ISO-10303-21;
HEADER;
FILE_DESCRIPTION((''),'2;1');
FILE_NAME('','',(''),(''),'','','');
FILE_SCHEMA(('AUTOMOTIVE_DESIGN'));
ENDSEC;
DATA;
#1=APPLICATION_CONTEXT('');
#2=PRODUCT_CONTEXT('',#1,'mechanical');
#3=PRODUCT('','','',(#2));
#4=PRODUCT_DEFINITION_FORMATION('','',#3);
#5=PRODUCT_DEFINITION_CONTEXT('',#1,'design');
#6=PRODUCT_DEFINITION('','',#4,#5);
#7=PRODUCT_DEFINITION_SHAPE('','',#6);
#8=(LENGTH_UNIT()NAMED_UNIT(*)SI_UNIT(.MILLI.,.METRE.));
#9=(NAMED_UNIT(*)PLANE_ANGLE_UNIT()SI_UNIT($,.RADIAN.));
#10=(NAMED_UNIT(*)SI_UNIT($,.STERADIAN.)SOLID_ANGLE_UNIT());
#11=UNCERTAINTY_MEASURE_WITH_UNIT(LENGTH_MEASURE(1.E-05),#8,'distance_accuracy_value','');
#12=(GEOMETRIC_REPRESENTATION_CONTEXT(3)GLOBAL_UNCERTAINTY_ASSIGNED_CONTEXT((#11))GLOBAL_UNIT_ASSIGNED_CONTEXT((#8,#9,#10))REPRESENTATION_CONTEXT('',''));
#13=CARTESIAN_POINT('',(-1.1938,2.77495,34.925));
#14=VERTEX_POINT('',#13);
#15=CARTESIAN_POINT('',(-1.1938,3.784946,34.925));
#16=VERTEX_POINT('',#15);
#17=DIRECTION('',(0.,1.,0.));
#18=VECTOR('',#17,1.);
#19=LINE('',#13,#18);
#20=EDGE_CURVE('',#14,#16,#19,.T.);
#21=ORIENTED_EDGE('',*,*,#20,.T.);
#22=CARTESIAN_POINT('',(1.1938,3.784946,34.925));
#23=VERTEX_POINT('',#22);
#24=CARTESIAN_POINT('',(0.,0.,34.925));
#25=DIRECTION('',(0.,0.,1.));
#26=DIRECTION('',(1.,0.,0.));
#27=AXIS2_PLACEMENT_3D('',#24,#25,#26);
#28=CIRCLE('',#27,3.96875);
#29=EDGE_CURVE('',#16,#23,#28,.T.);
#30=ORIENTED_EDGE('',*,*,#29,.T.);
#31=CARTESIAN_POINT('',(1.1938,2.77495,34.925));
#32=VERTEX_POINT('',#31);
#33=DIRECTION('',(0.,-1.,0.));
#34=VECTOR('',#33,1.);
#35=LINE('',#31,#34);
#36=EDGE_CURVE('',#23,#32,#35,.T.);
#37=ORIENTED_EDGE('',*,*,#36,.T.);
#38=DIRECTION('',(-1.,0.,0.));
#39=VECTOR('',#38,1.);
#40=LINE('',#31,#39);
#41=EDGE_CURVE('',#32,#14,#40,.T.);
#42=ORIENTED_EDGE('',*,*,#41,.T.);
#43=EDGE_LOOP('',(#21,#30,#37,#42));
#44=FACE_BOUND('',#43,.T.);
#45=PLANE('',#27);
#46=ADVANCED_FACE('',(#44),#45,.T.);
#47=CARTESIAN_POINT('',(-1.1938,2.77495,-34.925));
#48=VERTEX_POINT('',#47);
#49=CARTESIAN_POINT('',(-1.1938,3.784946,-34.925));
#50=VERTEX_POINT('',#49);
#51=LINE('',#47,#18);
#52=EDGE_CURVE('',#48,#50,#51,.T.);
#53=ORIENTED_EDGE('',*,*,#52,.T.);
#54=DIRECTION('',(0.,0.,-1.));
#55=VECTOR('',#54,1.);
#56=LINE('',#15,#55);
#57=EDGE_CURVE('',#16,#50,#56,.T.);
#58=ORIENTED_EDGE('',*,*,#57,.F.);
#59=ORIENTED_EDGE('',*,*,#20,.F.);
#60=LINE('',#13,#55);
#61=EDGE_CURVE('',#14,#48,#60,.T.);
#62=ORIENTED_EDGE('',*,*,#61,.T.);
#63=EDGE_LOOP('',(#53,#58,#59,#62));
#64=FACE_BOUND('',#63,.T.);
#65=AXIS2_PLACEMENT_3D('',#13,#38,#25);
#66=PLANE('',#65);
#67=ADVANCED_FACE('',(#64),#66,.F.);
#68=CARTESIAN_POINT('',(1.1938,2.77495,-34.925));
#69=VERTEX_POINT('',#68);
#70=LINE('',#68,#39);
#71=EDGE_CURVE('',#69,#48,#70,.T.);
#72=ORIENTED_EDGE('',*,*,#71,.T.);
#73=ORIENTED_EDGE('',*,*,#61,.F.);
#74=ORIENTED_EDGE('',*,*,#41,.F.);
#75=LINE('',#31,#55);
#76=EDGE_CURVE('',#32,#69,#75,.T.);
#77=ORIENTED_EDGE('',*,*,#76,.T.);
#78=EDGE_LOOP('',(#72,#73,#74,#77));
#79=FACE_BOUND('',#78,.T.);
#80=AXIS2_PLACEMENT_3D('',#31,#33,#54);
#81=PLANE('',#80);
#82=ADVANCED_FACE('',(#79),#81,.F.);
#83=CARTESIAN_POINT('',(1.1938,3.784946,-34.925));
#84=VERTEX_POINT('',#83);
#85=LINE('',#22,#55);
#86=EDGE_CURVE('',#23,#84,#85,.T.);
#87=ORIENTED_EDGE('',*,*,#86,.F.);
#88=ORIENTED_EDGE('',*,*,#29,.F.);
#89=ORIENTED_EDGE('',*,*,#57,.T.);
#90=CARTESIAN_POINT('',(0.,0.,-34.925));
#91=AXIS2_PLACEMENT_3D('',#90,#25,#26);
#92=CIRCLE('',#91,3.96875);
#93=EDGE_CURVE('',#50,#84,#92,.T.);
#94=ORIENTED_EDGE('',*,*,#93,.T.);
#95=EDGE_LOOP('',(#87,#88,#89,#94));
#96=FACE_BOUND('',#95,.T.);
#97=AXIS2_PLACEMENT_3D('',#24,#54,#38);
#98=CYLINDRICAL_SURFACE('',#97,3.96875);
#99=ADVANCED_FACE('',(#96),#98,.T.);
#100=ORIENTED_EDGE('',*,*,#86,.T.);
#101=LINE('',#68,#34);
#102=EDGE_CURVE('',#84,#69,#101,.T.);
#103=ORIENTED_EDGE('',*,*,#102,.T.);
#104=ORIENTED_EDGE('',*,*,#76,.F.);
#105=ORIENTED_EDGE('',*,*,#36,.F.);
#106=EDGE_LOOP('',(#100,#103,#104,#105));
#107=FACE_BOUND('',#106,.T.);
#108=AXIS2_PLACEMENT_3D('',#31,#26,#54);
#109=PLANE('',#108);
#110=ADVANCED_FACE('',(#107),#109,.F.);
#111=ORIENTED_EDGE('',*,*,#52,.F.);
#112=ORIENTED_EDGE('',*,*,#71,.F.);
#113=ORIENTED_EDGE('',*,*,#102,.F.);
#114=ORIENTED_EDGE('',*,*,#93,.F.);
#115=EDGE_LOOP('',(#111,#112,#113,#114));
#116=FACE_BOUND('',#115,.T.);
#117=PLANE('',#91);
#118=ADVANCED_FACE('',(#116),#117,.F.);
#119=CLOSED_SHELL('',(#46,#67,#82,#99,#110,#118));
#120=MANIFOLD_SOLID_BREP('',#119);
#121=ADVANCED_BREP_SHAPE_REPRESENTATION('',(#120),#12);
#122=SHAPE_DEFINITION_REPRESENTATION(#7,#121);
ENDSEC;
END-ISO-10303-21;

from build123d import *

# Parameters (mm, degrees)
BOSS_EXTRUDE1_DEPTH      = 34.925
BOSS_EXTRUDE1_DEPTH_BACK = 34.925


with BuildPart() as part:
    # Sketch3 → Boss-Extrude1 (new, two sides: drawn at the far end of the back side and taken through both)
    with BuildSketch(Plane.XY.offset(-BOSS_EXTRUDE1_DEPTH_BACK)):
        with BuildLine():
            Line((-1.1938, 2.77495), (-1.1938, 3.784946251))
            ThreePointArc((-1.1938, 3.784946251), (0, -3.96875), (1.1938, 3.784946251))
            Line((1.1938, 3.784946251), (1.1938, 2.77495))
            Line((1.1938, 2.77495), (-1.1938, 2.77495))
        make_face()
    extrude(amount=BOSS_EXTRUDE1_DEPTH + BOSS_EXTRUDE1_DEPTH_BACK)


solid = part.part
